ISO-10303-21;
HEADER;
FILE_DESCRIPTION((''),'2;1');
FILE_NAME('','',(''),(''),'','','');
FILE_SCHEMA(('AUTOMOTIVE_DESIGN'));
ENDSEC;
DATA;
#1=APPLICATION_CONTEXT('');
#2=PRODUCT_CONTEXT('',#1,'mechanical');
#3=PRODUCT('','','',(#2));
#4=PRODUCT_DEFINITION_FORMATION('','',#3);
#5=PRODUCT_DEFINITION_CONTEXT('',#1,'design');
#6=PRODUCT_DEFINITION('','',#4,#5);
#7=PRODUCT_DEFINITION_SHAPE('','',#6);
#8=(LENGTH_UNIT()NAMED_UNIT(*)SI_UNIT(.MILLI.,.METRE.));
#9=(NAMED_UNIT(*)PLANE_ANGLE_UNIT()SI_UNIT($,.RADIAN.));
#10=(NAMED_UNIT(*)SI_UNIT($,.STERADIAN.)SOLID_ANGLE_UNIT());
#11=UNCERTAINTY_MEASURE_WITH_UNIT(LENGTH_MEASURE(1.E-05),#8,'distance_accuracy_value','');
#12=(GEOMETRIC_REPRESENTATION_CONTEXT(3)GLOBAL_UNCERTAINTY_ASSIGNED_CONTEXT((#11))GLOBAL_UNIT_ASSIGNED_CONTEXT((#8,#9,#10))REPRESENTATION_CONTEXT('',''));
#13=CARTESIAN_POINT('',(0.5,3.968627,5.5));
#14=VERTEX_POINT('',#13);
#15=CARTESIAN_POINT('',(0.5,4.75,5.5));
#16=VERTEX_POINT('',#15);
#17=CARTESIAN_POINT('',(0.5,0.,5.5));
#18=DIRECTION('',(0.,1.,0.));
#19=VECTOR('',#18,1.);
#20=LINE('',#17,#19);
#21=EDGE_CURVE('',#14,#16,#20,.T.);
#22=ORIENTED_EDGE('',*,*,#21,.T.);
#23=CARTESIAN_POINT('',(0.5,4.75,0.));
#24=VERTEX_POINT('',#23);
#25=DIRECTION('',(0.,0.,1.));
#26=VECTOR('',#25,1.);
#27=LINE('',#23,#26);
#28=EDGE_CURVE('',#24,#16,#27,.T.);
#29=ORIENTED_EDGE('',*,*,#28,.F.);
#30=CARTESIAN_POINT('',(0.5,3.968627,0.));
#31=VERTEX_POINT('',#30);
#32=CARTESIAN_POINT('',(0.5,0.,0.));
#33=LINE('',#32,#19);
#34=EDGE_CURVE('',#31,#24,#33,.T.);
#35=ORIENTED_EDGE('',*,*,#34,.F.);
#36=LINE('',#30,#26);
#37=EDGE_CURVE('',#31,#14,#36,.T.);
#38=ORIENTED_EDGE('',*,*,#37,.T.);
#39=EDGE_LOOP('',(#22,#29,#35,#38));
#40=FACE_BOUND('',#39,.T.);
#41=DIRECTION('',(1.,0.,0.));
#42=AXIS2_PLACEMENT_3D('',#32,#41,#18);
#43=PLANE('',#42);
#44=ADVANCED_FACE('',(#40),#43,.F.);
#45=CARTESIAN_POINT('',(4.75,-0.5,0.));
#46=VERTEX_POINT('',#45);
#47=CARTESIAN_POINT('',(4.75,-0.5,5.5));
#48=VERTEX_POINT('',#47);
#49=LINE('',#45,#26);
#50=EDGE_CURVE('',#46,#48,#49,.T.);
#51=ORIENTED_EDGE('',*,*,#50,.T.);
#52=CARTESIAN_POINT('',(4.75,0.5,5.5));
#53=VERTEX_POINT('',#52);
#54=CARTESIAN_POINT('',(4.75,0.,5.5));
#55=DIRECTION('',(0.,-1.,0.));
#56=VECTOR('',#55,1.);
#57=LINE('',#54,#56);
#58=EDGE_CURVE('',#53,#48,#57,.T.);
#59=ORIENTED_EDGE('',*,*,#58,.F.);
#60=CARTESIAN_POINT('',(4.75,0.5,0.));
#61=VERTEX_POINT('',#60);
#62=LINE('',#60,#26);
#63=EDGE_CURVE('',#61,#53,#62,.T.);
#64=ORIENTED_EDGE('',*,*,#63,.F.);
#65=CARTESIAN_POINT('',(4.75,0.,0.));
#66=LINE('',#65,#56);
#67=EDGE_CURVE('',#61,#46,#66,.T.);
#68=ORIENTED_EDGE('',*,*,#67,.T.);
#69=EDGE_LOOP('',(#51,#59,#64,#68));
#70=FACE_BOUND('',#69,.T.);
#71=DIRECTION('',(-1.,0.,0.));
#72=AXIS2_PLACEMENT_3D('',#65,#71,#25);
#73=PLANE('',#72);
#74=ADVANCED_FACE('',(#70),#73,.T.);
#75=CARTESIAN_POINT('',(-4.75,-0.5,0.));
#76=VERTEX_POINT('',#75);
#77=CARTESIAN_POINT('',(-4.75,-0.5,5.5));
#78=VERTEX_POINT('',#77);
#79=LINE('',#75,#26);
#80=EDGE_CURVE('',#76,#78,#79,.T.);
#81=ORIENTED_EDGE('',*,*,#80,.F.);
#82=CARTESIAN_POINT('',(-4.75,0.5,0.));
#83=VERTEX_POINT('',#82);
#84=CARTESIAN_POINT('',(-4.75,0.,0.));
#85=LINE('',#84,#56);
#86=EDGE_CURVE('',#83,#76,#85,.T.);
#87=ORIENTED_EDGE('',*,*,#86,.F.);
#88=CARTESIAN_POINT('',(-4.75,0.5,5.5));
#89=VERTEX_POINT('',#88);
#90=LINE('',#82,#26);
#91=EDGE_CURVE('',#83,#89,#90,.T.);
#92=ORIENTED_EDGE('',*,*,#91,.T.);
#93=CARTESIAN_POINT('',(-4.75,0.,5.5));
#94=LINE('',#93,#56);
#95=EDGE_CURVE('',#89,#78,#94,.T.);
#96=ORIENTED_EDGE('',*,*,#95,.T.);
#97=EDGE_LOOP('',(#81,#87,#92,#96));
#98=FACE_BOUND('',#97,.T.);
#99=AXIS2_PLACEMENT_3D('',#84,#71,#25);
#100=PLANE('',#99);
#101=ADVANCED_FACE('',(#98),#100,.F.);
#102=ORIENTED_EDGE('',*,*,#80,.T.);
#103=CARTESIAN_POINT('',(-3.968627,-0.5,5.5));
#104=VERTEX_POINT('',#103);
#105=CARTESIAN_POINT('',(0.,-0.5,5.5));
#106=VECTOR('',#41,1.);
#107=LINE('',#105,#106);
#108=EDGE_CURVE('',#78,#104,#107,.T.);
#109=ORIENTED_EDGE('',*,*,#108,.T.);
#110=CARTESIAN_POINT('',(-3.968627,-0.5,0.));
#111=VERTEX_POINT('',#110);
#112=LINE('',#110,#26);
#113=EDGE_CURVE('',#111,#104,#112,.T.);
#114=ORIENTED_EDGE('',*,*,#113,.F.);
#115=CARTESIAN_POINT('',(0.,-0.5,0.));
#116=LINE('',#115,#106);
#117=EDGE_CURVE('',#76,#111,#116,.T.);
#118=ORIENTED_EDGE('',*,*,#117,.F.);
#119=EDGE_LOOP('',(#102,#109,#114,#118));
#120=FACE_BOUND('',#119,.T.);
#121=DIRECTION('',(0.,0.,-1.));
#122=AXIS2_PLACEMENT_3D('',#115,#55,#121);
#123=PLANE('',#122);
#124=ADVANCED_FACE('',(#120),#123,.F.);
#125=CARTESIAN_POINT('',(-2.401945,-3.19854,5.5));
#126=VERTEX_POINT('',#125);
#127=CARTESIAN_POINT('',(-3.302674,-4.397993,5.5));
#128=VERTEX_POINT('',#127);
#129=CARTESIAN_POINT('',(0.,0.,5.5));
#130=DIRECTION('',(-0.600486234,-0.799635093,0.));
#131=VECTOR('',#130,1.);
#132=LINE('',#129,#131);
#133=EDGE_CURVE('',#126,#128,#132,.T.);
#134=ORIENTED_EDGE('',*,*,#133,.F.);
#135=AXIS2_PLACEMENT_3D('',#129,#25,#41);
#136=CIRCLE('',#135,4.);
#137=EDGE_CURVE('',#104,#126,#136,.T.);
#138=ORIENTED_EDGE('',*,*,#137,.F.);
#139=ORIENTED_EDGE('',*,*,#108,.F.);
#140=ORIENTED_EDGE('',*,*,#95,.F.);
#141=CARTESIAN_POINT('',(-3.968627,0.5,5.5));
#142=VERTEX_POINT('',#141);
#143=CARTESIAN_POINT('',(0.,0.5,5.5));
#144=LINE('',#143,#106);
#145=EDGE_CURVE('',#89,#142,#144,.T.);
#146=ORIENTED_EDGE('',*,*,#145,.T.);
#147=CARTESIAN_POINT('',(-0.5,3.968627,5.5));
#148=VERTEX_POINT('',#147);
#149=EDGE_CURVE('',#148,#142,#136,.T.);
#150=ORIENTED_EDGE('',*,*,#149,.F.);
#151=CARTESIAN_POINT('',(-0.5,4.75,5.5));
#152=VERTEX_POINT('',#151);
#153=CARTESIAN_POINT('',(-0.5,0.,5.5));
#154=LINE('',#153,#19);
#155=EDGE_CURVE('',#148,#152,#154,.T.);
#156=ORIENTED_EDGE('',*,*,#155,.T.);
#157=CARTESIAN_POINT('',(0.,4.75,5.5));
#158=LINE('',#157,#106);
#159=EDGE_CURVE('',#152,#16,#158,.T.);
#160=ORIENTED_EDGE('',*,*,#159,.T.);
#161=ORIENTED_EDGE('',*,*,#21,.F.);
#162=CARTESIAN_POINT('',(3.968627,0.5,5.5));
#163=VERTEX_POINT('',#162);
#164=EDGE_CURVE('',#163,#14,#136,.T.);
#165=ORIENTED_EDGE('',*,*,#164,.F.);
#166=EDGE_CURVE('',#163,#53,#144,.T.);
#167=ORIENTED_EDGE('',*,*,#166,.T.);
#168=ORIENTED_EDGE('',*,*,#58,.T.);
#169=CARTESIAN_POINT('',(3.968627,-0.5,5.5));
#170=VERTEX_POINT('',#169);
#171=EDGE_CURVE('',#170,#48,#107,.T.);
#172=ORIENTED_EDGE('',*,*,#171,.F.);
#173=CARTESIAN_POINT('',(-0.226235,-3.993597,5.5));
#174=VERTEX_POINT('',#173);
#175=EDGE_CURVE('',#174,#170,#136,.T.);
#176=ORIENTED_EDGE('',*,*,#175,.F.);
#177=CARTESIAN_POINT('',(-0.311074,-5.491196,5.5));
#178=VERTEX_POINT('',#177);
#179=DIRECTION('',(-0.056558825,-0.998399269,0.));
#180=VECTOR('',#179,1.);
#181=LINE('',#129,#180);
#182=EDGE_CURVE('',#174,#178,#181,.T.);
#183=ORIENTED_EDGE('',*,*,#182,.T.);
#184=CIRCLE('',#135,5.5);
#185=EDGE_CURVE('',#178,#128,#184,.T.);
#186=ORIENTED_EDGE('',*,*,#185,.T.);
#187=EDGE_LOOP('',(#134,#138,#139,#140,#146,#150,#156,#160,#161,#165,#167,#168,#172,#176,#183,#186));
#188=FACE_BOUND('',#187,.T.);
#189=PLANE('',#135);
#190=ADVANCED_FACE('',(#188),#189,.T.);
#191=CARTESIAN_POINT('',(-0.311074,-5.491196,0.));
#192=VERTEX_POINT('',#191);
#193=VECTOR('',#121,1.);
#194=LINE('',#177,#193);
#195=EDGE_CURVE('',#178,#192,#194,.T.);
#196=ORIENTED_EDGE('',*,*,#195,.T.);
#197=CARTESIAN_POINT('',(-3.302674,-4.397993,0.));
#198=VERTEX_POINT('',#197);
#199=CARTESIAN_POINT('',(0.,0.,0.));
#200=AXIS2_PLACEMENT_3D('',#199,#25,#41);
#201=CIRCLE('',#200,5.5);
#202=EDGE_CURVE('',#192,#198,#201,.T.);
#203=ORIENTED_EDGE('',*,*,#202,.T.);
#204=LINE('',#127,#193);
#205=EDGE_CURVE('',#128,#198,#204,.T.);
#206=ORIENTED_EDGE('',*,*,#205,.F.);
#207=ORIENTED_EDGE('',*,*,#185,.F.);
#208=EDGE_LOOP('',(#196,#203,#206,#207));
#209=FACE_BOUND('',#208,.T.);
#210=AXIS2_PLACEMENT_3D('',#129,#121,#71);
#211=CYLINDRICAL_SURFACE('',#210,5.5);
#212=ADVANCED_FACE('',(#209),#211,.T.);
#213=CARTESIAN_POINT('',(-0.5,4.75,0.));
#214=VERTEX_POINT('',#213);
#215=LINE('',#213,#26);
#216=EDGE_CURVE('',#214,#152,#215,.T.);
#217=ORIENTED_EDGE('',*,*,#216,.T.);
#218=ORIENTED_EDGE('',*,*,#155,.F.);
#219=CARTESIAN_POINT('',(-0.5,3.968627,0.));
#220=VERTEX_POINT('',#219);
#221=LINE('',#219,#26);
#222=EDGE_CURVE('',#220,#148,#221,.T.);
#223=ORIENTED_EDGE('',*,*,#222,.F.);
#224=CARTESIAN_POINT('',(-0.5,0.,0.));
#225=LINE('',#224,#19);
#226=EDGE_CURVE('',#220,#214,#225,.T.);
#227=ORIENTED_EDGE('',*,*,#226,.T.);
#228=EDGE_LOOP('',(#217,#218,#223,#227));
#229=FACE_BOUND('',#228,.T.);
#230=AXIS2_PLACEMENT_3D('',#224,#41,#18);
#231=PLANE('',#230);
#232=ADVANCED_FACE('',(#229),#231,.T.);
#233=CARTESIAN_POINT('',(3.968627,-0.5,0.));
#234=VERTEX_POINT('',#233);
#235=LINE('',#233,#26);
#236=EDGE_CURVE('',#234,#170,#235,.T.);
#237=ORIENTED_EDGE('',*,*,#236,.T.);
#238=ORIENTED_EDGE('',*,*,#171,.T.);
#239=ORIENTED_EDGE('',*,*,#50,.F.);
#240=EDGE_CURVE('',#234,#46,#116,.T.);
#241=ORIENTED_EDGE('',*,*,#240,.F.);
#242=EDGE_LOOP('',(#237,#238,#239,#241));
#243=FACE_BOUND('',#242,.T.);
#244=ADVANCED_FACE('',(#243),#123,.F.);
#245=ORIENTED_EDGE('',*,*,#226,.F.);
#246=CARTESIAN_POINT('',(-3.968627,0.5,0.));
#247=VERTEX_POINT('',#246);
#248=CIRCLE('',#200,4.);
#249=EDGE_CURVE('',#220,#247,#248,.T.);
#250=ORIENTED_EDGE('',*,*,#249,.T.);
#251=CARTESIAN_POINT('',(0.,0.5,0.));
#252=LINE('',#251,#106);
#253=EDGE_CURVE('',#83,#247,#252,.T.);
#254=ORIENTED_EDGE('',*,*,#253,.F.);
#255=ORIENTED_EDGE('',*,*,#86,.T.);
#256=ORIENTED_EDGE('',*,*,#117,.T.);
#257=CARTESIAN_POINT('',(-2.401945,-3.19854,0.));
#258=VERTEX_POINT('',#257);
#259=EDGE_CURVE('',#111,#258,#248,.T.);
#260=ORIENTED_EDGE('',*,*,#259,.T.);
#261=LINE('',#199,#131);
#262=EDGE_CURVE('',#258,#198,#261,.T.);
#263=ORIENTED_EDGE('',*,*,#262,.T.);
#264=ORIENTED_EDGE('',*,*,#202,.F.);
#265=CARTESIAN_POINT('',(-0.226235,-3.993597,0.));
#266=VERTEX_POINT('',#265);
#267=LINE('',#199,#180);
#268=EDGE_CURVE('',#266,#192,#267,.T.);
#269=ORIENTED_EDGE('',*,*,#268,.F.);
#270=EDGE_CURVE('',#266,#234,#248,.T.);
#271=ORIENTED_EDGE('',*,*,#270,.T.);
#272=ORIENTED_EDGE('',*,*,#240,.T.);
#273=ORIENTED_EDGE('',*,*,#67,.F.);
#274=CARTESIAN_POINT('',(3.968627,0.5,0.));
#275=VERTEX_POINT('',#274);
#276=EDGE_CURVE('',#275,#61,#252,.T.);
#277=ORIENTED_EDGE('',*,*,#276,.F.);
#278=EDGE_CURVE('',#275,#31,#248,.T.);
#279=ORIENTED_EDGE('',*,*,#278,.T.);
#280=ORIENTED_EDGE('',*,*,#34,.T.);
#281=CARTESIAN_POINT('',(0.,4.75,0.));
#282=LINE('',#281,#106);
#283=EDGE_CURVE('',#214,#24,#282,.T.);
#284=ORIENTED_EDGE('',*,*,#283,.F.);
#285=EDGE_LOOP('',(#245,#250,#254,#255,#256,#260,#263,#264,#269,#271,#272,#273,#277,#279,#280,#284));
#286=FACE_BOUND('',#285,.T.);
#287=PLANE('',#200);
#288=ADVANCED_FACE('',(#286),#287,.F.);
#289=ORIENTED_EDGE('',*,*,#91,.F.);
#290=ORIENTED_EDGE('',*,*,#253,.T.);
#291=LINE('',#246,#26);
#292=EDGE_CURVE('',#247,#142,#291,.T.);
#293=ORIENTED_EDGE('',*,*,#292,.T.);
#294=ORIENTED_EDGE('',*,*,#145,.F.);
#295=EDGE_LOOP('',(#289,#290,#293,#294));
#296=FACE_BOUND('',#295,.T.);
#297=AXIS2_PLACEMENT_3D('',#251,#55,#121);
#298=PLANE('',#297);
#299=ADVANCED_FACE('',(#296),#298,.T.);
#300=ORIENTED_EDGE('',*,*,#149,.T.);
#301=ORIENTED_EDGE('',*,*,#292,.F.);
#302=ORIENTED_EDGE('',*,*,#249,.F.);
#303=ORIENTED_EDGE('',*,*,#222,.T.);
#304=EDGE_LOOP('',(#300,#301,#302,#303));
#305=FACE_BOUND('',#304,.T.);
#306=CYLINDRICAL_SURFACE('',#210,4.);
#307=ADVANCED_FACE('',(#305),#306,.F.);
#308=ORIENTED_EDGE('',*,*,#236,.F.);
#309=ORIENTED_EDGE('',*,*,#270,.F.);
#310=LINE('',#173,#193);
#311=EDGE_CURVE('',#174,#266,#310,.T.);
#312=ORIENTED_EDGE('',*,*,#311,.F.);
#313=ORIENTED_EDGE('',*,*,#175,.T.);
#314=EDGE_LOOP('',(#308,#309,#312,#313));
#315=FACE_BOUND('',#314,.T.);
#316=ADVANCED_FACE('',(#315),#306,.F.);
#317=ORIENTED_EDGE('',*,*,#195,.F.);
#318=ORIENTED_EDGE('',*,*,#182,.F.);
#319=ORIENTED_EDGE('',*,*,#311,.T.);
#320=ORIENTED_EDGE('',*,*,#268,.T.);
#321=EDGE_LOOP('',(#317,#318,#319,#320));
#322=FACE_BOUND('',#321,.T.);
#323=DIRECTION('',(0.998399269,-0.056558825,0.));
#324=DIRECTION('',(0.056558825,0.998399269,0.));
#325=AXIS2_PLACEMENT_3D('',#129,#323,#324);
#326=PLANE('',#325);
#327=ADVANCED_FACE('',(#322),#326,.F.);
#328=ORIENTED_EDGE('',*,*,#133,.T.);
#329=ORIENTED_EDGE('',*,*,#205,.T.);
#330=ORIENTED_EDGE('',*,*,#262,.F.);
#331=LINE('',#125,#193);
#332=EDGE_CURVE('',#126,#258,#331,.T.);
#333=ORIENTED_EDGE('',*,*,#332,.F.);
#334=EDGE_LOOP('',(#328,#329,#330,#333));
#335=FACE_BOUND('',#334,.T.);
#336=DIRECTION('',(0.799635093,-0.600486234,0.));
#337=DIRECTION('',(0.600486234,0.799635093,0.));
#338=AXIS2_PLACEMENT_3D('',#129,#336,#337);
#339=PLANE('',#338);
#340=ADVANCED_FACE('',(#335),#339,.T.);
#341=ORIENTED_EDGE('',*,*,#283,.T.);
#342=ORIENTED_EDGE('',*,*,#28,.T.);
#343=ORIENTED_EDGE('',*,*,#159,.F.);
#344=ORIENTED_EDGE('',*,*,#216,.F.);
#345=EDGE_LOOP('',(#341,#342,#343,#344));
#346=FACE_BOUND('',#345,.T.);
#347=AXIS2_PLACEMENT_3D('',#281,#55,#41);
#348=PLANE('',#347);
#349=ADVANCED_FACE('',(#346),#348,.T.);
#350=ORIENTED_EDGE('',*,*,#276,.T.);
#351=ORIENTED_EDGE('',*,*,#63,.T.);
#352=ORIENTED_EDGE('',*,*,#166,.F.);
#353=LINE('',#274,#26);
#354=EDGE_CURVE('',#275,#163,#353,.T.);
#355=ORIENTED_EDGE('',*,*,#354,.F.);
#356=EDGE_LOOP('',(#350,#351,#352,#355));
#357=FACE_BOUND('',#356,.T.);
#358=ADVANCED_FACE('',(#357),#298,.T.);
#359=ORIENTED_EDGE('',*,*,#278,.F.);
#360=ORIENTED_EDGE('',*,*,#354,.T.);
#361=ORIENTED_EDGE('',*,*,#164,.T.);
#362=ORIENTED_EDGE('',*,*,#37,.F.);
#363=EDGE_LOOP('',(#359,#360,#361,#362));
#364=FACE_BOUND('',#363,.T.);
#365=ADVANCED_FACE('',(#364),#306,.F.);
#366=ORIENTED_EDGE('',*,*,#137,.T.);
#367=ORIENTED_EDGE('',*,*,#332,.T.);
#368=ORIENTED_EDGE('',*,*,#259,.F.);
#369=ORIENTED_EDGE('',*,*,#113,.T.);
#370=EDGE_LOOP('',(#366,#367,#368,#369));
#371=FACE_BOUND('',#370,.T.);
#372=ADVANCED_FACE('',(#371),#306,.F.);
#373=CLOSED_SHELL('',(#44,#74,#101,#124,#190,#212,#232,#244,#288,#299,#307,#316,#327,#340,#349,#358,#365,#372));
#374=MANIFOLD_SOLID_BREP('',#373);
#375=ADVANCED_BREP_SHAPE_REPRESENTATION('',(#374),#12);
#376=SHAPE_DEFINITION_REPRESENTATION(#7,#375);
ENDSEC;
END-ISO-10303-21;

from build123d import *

# Parameters (mm, degrees)
BOSS_EXTRUDE1_DEPTH = 5.5
CUT_EXTRUDE1_START  = -5.5
CUT_EXTRUDE1_DEPTH  = 5.5


with BuildPart() as part:
    # Sketch1 → Boss-Extrude1 (new body)
    with BuildSketch(Plane.XY):
        with BuildLine():
            Line((-0.226235298, -3.993597074), (-0.311073535, -5.491195977))
            ThreePointArc((-0.311073535, -5.491195977), (1.887741114, 5.165891355), (-3.302674289, -4.397993013))
            Line((-3.302674289, -4.397993013), (-2.401944937, -3.198540373))
            ThreePointArc((-2.401944937, -3.198540373), (1.372902628, 3.757011894), (-0.226235298, -3.993597074))
        make_face()
    extrude(amount=BOSS_EXTRUDE1_DEPTH)

    # Sketch2 → Cut-Extrude1 (cut)
    with BuildSketch(Plane.XY.offset(5.5).offset(CUT_EXTRUDE1_START)):
        with BuildLine():
            Line((-0.5, 4.75), (-0.5, 3.968626967))
            ThreePointArc((-0.5, 3.968626967), (0, 4), (0.5, 3.968626967))
            Line((0.5, 3.968626967), (0.5, 4.75))
            Line((0.5, 4.75), (-0.5, 4.75))
        make_face()
        with BuildLine():
            Line((-3.968626967, 0.5), (-4.75, 0.5))
            Line((-4.75, 0.5), (-4.75, -0.5))
            Line((-4.75, -0.5), (-3.968626967, -0.5))
            ThreePointArc((-3.968626967, -0.5), (-4, 0), (-3.968626967, 0.5))
        make_face()
        with BuildLine():
            Line((4.75, 0.5), (3.968626967, 0.5))
            ThreePointArc((3.968626967, 0.5), (4, 0), (3.968626967, -0.5))
            Line((3.968626967, -0.5), (4.75, -0.5))
            Line((4.75, -0.5), (4.75, 0.5))
        make_face()
    extrude(amount=CUT_EXTRUDE1_DEPTH, mode=Mode.SUBTRACT)


solid = part.part
